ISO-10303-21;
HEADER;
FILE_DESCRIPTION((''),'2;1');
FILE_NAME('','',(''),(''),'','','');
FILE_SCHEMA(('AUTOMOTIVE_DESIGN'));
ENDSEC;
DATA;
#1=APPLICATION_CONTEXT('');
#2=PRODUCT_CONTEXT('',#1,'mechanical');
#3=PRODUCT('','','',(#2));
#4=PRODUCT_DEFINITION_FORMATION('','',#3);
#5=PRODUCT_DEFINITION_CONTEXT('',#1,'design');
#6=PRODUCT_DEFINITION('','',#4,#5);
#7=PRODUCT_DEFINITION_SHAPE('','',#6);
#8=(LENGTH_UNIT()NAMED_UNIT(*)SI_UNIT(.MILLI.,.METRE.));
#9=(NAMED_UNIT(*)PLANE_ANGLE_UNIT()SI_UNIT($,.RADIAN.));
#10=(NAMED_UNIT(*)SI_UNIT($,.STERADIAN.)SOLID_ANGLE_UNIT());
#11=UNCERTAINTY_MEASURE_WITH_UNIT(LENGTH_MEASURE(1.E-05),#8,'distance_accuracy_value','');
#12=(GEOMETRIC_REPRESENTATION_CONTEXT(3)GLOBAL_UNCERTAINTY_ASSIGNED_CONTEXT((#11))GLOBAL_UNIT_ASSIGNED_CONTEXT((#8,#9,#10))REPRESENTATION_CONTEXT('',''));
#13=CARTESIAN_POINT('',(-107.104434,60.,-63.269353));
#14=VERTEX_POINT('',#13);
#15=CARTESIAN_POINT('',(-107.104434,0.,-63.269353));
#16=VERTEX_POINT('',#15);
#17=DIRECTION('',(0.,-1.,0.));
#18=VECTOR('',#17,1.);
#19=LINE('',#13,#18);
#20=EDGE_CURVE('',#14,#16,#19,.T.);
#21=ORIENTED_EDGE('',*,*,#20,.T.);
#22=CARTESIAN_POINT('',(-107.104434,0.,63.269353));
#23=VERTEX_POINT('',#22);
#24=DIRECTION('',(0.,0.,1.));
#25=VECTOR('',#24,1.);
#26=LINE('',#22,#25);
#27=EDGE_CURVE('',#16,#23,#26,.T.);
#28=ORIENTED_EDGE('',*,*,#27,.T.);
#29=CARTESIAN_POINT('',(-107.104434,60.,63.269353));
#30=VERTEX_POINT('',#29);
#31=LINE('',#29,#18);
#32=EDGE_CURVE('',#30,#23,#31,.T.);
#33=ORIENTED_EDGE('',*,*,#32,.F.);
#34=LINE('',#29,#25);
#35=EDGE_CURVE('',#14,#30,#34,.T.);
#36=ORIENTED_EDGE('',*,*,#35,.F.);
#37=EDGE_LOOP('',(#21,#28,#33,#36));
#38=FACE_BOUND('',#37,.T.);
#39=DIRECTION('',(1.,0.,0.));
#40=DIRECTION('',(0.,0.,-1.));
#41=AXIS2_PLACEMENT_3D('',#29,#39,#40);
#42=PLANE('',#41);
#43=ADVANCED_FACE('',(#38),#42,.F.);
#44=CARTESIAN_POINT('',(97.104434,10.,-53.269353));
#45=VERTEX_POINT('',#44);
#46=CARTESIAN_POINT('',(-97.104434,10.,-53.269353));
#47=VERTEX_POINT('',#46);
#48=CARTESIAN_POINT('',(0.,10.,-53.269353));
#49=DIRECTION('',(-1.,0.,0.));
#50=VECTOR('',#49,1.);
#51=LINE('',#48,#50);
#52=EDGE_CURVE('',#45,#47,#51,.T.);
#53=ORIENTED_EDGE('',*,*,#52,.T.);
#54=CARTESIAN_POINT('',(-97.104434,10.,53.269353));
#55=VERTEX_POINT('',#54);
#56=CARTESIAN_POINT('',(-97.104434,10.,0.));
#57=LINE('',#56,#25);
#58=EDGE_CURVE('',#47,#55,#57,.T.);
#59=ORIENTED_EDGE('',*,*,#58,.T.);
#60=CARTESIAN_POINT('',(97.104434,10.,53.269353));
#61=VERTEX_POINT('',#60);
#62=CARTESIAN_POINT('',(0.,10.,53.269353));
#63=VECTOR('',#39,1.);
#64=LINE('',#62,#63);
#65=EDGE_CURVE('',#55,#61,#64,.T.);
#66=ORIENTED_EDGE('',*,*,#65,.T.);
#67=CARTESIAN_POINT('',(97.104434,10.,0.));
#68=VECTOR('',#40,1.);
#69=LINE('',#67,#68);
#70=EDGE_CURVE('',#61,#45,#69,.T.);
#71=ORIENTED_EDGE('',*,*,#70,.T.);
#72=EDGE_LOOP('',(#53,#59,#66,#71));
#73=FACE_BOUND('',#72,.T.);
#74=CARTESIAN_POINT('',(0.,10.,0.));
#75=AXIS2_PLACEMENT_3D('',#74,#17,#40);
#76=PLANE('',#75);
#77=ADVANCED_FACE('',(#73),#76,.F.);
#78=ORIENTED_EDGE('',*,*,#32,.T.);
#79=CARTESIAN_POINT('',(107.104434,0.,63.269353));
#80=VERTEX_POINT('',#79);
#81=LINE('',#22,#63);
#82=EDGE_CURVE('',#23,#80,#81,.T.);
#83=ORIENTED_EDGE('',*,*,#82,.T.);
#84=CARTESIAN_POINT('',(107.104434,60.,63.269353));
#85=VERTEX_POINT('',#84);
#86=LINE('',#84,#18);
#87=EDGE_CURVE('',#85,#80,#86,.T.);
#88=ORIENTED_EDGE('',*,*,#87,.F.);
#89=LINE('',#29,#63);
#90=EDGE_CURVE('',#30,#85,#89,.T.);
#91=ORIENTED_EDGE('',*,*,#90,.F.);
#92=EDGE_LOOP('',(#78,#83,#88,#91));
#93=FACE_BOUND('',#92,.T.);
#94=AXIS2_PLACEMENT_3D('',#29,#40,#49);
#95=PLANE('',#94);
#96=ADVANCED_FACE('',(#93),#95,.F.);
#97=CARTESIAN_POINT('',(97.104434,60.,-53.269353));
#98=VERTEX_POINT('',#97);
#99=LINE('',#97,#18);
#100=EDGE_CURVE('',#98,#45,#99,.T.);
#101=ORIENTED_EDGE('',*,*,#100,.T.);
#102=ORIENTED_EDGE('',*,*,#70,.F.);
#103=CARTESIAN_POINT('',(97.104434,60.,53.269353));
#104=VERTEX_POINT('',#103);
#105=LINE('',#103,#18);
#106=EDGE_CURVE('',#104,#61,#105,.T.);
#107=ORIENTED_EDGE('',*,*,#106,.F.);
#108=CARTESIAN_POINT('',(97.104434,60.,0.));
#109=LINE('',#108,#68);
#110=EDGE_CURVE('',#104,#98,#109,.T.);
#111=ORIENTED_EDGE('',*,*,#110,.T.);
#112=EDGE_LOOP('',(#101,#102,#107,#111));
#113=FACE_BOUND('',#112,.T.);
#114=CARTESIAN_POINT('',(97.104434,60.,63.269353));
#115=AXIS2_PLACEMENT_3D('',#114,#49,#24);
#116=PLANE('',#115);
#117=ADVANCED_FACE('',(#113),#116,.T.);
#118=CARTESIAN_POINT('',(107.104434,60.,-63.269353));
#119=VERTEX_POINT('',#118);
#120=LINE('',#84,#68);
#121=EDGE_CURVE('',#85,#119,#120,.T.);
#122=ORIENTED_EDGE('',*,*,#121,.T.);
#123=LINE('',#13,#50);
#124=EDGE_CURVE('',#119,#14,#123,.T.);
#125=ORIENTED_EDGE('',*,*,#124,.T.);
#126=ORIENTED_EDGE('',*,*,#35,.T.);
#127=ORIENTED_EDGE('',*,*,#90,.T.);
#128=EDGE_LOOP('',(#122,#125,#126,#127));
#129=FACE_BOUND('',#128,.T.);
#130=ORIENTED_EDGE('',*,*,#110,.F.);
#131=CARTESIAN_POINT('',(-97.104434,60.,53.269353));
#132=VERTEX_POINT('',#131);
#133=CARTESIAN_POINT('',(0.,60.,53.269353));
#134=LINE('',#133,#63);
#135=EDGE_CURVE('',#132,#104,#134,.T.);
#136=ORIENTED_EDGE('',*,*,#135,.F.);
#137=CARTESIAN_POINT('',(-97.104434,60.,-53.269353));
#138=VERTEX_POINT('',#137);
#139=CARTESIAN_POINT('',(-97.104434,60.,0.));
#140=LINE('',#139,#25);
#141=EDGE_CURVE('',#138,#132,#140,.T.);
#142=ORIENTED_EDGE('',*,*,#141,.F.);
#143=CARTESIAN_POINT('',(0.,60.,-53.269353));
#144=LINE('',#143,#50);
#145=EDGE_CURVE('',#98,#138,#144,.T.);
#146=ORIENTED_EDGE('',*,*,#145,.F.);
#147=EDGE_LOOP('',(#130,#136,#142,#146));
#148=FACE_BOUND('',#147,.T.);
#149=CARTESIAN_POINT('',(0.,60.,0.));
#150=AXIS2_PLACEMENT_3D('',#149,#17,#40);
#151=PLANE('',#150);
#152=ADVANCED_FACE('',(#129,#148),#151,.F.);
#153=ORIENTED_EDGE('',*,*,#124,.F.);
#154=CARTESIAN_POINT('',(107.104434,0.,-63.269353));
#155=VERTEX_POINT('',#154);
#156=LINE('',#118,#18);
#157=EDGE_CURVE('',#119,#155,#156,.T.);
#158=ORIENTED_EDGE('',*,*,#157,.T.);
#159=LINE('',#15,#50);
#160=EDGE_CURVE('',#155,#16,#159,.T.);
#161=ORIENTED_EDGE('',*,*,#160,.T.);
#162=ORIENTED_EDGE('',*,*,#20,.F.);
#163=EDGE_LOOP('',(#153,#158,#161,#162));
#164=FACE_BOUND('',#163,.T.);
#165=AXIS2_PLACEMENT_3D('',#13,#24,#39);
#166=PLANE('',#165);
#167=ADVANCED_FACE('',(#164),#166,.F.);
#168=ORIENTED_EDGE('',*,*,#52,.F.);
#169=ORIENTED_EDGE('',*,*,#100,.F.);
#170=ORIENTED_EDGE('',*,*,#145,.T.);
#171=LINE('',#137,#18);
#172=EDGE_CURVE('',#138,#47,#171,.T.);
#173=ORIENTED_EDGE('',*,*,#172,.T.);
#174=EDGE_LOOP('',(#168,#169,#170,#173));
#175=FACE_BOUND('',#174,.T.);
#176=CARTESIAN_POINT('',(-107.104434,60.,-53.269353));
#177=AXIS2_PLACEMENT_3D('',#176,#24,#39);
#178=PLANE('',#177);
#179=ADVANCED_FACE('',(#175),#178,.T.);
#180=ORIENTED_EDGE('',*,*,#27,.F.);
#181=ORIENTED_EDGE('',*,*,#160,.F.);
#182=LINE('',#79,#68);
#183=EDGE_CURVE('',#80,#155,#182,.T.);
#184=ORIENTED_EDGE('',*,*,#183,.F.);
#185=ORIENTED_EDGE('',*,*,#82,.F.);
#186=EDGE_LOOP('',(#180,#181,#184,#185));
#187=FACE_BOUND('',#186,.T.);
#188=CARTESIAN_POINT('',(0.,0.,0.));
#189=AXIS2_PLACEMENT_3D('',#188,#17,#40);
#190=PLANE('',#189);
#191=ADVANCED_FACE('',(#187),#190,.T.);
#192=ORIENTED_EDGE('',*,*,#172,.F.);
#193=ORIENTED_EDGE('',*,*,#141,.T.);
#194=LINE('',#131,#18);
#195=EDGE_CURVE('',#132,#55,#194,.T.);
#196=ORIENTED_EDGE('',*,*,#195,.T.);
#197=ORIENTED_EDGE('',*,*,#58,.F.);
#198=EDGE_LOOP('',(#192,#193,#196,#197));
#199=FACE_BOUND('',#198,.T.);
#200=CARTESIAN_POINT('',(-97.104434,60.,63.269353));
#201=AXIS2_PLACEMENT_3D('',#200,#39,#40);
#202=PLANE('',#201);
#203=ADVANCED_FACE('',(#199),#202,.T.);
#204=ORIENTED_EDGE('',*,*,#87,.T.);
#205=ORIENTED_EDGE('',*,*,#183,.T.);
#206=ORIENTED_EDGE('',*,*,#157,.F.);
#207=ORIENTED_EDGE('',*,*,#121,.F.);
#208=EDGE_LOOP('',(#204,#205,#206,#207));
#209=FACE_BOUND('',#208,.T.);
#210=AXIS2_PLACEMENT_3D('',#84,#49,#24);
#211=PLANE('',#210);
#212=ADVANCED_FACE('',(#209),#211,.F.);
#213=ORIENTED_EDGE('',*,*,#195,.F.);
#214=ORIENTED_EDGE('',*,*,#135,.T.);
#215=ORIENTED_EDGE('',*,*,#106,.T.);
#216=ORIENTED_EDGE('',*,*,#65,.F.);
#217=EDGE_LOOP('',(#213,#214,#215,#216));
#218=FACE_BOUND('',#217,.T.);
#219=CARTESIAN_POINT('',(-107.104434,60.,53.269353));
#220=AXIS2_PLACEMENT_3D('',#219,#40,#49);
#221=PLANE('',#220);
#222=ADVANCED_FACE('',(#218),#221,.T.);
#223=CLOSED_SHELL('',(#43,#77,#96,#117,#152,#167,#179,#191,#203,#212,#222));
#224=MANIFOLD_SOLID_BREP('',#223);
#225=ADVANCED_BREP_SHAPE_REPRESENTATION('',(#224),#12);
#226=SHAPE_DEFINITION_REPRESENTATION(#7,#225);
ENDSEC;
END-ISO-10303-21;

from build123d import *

# Parameters (mm, degrees)
ESQUISSE1_W        = 214.208867378
ESQUISSE1_H        = 126.538705932
BOSS_EXTRU_1_DEPTH = 60
COQUE2_T           = -10


with BuildPart() as part:
    # Esquisse1 → Boss.-Extru.1 (new body)
    with BuildSketch(Plane(origin=(0, 0, 0), x_dir=(1, 0, 0), z_dir=(0, 1, 0))):
        Rectangle(ESQUISSE1_W, ESQUISSE1_H)
    extrude(amount=BOSS_EXTRU_1_DEPTH)

    # Coque2
    coque2_openings = [part.faces().sort_by_distance(p)[0] for p in [
        (0, 60, 0),
    ]]
    offset(amount=COQUE2_T, openings=coque2_openings, kind=Kind.INTERSECTION)


solid = part.part
